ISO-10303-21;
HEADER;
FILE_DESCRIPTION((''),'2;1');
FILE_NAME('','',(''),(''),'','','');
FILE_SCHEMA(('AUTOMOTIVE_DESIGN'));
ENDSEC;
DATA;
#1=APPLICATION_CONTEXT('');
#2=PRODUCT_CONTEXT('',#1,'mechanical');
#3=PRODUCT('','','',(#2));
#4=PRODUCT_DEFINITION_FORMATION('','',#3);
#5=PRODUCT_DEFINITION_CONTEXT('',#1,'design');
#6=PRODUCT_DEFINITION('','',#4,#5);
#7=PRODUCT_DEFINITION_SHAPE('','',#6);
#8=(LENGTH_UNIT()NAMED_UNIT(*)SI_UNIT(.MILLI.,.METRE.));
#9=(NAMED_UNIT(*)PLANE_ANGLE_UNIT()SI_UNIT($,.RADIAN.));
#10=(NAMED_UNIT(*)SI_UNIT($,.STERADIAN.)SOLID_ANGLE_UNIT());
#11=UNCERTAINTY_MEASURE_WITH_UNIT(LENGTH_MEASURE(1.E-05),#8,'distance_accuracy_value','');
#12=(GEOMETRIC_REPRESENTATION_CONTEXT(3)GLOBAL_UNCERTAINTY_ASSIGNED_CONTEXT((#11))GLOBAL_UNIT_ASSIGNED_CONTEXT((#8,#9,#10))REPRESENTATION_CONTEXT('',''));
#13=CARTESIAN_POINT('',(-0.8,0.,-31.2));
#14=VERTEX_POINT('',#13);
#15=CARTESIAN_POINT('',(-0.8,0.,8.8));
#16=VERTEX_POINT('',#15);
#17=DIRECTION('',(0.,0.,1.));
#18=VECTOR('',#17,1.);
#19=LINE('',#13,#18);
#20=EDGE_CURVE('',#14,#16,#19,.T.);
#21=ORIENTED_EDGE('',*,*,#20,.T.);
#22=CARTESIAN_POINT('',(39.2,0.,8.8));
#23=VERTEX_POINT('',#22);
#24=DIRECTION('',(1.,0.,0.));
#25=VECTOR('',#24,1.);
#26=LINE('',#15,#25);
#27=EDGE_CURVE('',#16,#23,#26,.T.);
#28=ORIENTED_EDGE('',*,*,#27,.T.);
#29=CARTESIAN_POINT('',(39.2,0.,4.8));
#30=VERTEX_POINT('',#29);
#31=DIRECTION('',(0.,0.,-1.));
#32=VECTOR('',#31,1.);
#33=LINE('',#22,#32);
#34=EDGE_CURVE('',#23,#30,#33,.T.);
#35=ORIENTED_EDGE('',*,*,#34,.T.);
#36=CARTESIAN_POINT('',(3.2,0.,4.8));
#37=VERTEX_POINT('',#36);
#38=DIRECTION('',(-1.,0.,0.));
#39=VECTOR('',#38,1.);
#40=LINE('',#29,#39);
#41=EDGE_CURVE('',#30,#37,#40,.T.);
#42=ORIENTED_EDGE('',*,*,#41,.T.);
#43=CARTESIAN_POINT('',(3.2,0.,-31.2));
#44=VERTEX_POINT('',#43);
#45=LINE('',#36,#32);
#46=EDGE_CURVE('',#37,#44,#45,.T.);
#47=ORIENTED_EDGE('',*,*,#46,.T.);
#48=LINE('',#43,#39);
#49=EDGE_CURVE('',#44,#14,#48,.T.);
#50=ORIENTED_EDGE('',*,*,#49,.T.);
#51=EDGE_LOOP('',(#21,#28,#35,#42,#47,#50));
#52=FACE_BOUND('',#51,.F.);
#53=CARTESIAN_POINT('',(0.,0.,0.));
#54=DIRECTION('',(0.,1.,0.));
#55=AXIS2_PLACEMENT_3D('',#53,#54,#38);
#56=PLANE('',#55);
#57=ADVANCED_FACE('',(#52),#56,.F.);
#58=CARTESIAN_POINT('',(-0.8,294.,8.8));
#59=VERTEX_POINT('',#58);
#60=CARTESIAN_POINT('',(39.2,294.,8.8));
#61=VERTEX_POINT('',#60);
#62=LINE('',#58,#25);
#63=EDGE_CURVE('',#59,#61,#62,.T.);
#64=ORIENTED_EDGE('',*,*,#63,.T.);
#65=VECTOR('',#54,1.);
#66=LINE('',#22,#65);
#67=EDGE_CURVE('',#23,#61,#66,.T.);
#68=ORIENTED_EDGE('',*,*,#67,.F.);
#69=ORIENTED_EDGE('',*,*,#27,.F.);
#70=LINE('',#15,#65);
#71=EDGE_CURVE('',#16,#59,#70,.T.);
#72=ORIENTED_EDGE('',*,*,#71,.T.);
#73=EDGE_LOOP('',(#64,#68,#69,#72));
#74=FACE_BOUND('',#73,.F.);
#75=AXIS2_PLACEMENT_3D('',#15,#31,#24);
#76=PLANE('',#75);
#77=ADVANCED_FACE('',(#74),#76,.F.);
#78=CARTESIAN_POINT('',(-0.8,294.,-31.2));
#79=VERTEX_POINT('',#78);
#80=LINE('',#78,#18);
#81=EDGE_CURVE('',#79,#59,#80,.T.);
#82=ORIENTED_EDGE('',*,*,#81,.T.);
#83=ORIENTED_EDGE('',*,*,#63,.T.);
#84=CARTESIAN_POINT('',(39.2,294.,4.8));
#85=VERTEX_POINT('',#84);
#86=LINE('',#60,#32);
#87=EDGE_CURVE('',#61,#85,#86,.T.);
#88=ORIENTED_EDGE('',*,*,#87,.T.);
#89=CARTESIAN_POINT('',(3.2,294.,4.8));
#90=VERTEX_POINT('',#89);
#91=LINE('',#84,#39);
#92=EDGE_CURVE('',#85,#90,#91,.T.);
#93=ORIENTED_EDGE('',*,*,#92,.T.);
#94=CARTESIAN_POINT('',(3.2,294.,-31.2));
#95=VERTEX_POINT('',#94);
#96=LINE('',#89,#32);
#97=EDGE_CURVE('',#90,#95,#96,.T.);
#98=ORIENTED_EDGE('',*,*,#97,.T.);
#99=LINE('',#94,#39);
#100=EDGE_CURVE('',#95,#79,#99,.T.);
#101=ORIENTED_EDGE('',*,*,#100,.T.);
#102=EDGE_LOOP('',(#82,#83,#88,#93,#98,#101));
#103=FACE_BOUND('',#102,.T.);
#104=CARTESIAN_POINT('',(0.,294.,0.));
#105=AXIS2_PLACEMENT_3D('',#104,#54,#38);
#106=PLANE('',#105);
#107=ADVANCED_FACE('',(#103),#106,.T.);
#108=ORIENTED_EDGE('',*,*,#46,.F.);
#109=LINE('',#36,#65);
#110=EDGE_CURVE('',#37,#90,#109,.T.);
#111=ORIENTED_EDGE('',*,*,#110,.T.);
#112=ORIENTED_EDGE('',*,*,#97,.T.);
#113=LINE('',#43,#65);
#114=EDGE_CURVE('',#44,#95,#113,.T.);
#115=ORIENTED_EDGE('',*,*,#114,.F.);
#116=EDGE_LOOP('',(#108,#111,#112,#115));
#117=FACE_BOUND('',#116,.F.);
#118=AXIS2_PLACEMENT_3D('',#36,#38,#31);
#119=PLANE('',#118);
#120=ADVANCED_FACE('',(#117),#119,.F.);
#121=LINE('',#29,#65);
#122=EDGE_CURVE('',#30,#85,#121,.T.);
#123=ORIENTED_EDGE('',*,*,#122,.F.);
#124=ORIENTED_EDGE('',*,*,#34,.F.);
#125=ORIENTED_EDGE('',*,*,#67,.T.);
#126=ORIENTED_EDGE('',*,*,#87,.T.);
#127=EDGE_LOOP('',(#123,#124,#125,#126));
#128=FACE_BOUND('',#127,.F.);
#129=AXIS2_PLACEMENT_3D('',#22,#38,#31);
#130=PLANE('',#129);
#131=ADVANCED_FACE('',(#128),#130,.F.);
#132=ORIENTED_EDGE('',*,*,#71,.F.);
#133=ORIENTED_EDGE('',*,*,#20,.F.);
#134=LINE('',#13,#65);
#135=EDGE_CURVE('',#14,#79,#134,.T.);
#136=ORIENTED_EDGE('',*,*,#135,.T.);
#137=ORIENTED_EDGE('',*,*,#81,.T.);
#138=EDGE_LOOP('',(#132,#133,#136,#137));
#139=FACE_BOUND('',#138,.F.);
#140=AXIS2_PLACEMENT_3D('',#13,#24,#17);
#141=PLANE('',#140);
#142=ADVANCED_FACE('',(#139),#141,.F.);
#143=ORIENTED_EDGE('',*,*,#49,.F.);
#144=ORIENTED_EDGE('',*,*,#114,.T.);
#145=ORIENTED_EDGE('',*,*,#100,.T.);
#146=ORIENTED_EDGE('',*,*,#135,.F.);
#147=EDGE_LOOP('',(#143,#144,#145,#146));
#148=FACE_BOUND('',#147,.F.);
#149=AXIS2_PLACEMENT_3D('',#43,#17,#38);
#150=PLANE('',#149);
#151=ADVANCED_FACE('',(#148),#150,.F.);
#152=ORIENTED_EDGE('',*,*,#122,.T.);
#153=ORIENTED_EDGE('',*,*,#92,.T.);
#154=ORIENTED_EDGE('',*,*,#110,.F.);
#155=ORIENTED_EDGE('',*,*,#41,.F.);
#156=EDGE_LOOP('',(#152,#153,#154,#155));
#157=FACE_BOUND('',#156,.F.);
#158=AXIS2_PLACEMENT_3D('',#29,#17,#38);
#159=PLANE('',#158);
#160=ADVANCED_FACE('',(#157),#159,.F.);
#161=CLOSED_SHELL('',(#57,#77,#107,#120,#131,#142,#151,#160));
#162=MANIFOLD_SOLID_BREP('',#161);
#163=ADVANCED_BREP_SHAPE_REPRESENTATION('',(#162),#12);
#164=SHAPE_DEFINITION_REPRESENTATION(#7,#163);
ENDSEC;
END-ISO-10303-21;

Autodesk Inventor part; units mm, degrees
ref_plane "YZ Plane" through (0, 0, 0) normal (1, 0, 0) x (0, 1, 0)
ref_plane "XZ Plane" through (0, 0, 0) normal (0, 1, 0) x (-1, 0, 0)
ref_plane "XY Plane" through (0, 0, 0) normal (0, 0, 1) x (1, 0, 0)
sketch "Sketch1" plane through (0, 0, 0) normal (0, 1, 0) x (-1, 0, 0)
  line L0 (0.8, 8.8) -> (-39.2, 8.8)
  line L1 (-39.2, 8.8) -> (-39.2, 4.8)
  line L2 (-39.2, 4.8) -> (-3.2, 4.8)
  line L3 (-3.2, 4.8) -> (-3.2, -31.2)
  line L4 (-3.2, -31.2) -> (0.8, -31.2)
  line L5 (0.8, -31.2) -> (0.8, 8.8)
  point P0 (0, 0)
  dimension "d0" = 4
  dimension "d1" = 4
  dimension "d2" = 40
  dimension "d3" = 40
extrude "Extrusion1" add sketch "Sketch1" along normal blind 294
properties part number "FrameThinBracket"
